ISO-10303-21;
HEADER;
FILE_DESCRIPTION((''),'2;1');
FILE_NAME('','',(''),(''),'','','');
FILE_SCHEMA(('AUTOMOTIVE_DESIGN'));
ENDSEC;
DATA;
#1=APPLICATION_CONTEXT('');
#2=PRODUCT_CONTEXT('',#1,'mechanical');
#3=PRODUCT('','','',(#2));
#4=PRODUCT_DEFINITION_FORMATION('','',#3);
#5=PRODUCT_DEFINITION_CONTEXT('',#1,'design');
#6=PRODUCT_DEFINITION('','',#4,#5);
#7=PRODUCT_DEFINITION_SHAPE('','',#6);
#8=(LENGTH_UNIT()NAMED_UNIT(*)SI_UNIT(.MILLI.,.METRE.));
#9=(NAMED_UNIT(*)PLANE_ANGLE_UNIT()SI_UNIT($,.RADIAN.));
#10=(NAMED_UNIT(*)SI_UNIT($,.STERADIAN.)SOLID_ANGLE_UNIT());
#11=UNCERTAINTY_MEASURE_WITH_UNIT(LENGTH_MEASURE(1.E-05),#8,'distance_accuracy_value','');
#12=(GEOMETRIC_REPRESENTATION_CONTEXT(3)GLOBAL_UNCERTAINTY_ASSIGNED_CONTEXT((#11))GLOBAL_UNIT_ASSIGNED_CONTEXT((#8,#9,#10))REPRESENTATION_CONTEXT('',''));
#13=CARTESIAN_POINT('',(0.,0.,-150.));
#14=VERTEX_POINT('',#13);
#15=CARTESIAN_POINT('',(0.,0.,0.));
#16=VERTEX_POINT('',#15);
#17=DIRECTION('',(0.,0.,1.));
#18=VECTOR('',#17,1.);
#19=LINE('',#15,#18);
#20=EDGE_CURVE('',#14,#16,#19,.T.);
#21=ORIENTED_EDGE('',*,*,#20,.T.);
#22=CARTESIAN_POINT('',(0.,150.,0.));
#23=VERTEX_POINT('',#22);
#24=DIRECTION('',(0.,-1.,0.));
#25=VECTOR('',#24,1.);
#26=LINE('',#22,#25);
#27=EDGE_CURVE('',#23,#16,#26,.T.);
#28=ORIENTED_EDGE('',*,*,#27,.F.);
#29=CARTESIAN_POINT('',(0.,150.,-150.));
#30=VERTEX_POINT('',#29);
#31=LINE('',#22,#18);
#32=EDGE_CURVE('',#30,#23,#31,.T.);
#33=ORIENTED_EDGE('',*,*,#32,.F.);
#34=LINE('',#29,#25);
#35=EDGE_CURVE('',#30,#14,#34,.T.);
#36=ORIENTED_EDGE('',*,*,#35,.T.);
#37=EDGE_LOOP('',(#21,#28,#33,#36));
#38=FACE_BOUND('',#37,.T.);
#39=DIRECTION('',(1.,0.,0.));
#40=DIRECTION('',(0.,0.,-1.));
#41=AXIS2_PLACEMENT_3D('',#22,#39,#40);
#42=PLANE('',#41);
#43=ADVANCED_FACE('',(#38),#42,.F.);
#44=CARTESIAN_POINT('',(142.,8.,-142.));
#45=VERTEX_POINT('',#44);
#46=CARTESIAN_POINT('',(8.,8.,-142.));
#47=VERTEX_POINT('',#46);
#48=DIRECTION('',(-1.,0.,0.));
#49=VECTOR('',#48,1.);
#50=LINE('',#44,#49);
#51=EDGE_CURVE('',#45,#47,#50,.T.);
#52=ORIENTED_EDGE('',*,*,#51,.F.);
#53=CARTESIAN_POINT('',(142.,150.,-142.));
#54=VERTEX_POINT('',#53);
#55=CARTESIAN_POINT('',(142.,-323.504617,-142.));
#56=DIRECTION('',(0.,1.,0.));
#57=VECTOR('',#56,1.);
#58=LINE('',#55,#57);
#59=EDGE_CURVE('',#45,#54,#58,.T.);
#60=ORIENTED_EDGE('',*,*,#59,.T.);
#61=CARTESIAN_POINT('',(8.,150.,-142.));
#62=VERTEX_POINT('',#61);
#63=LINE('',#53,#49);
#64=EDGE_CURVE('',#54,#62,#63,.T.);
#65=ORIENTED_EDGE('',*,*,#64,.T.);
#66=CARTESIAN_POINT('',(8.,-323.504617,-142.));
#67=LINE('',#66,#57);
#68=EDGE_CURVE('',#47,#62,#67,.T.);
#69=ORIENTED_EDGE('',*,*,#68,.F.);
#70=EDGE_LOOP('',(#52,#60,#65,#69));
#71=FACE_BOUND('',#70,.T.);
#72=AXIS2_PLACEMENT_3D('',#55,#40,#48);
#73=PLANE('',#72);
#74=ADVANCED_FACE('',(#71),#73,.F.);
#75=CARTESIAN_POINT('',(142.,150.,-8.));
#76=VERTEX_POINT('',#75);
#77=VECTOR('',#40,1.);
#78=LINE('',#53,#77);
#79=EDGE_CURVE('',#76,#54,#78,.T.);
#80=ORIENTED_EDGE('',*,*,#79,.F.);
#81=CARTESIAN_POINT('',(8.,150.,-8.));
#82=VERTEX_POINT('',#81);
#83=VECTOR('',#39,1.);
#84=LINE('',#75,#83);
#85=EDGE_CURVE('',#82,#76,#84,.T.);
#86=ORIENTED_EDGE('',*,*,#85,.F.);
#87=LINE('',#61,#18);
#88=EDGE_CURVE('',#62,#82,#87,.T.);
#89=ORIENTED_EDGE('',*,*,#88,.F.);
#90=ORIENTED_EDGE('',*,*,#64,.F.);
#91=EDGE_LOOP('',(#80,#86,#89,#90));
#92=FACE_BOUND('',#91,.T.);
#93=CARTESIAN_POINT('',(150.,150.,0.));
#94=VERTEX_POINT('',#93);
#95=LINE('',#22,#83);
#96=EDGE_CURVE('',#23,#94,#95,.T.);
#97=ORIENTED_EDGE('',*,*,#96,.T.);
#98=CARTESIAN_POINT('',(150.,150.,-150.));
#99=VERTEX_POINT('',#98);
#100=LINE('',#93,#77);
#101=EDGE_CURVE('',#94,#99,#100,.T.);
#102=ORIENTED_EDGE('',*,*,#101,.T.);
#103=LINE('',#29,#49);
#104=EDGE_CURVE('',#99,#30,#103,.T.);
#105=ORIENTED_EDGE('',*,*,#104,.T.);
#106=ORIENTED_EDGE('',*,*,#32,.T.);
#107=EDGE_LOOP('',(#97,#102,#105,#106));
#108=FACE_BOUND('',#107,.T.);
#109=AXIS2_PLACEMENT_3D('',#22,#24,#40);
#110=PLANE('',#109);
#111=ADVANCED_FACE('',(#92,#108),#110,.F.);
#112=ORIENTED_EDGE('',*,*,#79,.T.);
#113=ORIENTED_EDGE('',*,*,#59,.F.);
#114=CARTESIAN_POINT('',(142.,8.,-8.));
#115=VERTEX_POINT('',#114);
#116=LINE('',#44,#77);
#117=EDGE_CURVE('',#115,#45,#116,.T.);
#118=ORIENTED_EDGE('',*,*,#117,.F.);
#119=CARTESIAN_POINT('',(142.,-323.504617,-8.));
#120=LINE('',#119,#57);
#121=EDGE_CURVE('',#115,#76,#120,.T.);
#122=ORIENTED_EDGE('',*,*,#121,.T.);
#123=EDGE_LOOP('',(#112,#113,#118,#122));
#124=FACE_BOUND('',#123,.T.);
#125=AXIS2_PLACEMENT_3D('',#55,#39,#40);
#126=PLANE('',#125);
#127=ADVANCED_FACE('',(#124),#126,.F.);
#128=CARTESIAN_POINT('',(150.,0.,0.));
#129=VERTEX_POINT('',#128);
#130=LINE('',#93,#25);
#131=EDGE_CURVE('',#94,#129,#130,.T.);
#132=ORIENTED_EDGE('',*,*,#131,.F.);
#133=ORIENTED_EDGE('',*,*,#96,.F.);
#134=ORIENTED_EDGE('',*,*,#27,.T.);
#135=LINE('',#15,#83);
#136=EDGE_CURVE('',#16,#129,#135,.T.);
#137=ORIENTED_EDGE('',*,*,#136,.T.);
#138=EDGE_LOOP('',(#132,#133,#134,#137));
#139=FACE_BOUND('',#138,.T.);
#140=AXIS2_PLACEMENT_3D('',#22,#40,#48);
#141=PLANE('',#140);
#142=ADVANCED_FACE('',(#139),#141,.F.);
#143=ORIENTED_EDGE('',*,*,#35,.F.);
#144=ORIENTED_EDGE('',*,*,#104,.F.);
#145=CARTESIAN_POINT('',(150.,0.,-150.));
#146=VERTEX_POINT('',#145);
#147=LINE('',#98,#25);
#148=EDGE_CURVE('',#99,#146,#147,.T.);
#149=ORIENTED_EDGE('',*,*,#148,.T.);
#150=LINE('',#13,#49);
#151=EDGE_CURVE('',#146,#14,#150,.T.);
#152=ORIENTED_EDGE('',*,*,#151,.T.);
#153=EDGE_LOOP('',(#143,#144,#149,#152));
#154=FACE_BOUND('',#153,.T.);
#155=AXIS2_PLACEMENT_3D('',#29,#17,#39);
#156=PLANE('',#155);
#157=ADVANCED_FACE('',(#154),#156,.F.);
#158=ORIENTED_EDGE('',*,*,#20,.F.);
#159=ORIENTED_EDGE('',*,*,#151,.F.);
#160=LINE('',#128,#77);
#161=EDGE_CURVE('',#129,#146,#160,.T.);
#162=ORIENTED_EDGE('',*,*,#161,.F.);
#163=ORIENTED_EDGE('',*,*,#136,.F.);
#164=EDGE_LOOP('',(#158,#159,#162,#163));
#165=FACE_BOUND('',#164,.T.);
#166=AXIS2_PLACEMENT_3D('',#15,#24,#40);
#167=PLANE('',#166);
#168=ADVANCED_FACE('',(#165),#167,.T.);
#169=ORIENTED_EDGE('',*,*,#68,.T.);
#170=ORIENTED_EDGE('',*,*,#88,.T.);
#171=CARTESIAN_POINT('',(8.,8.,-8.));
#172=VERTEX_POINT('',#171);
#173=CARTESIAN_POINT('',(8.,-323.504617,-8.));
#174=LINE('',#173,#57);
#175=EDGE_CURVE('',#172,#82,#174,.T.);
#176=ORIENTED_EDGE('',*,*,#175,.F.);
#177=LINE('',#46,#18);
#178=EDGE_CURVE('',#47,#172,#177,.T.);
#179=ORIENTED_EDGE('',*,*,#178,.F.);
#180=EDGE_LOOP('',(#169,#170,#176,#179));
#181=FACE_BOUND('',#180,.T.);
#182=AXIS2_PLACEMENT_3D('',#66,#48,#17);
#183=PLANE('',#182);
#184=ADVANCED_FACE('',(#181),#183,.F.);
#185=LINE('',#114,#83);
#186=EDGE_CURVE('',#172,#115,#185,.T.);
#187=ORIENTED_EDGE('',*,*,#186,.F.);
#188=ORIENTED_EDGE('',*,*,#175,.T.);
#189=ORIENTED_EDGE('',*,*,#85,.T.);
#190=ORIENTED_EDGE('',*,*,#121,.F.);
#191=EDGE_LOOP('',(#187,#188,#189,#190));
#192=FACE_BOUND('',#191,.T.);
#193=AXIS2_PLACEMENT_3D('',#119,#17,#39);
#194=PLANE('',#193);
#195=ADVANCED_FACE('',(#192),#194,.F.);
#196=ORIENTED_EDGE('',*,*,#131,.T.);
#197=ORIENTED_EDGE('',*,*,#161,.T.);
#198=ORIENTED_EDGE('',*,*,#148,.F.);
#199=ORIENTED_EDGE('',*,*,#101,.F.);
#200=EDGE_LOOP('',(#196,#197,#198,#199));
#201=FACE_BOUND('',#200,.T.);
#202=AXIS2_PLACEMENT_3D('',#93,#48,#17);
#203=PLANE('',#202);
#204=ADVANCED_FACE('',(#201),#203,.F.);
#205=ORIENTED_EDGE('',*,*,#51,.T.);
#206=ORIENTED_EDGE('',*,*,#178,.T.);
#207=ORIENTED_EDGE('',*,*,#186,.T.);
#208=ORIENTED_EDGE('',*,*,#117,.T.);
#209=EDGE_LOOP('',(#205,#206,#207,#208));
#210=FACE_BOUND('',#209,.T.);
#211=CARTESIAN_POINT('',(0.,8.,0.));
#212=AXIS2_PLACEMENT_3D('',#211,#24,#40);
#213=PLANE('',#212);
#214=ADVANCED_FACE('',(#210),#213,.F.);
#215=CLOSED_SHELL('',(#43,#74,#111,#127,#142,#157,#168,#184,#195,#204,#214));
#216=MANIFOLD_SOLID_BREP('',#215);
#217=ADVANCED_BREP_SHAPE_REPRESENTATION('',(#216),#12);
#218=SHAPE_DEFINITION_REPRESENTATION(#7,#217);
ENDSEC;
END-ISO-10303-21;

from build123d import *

# Parameters (mm, degrees)
SKETCH1_W           = 150
SKETCH1_H           = 150
BOSS_EXTRUDE1_DEPTH = 150
SKETCH9_W           = 134
SKETCH9_H           = 134
CUT_EXTRUDE1_DEPTH  = 142


with BuildPart() as part:
    # Sketch1 → Boss-Extrude1 (new body)
    with BuildSketch(Plane(origin=(0, 0, 0), x_dir=(1, 0, 0), z_dir=(0, 1, 0))):
        with Locations((75, 75)):
            Rectangle(SKETCH1_W, SKETCH1_H)
    extrude(amount=BOSS_EXTRUDE1_DEPTH)

    # Sketch9 → Cut-Extrude1 (cut)
    with BuildSketch(Plane(origin=(0, 150, 0), x_dir=(1, 0, 0), z_dir=(0, 1, 0))):
        with Locations((75, 75)):
            Rectangle(SKETCH9_W, SKETCH9_H)
    extrude(amount=-CUT_EXTRUDE1_DEPTH, mode=Mode.SUBTRACT)


solid = part.part
